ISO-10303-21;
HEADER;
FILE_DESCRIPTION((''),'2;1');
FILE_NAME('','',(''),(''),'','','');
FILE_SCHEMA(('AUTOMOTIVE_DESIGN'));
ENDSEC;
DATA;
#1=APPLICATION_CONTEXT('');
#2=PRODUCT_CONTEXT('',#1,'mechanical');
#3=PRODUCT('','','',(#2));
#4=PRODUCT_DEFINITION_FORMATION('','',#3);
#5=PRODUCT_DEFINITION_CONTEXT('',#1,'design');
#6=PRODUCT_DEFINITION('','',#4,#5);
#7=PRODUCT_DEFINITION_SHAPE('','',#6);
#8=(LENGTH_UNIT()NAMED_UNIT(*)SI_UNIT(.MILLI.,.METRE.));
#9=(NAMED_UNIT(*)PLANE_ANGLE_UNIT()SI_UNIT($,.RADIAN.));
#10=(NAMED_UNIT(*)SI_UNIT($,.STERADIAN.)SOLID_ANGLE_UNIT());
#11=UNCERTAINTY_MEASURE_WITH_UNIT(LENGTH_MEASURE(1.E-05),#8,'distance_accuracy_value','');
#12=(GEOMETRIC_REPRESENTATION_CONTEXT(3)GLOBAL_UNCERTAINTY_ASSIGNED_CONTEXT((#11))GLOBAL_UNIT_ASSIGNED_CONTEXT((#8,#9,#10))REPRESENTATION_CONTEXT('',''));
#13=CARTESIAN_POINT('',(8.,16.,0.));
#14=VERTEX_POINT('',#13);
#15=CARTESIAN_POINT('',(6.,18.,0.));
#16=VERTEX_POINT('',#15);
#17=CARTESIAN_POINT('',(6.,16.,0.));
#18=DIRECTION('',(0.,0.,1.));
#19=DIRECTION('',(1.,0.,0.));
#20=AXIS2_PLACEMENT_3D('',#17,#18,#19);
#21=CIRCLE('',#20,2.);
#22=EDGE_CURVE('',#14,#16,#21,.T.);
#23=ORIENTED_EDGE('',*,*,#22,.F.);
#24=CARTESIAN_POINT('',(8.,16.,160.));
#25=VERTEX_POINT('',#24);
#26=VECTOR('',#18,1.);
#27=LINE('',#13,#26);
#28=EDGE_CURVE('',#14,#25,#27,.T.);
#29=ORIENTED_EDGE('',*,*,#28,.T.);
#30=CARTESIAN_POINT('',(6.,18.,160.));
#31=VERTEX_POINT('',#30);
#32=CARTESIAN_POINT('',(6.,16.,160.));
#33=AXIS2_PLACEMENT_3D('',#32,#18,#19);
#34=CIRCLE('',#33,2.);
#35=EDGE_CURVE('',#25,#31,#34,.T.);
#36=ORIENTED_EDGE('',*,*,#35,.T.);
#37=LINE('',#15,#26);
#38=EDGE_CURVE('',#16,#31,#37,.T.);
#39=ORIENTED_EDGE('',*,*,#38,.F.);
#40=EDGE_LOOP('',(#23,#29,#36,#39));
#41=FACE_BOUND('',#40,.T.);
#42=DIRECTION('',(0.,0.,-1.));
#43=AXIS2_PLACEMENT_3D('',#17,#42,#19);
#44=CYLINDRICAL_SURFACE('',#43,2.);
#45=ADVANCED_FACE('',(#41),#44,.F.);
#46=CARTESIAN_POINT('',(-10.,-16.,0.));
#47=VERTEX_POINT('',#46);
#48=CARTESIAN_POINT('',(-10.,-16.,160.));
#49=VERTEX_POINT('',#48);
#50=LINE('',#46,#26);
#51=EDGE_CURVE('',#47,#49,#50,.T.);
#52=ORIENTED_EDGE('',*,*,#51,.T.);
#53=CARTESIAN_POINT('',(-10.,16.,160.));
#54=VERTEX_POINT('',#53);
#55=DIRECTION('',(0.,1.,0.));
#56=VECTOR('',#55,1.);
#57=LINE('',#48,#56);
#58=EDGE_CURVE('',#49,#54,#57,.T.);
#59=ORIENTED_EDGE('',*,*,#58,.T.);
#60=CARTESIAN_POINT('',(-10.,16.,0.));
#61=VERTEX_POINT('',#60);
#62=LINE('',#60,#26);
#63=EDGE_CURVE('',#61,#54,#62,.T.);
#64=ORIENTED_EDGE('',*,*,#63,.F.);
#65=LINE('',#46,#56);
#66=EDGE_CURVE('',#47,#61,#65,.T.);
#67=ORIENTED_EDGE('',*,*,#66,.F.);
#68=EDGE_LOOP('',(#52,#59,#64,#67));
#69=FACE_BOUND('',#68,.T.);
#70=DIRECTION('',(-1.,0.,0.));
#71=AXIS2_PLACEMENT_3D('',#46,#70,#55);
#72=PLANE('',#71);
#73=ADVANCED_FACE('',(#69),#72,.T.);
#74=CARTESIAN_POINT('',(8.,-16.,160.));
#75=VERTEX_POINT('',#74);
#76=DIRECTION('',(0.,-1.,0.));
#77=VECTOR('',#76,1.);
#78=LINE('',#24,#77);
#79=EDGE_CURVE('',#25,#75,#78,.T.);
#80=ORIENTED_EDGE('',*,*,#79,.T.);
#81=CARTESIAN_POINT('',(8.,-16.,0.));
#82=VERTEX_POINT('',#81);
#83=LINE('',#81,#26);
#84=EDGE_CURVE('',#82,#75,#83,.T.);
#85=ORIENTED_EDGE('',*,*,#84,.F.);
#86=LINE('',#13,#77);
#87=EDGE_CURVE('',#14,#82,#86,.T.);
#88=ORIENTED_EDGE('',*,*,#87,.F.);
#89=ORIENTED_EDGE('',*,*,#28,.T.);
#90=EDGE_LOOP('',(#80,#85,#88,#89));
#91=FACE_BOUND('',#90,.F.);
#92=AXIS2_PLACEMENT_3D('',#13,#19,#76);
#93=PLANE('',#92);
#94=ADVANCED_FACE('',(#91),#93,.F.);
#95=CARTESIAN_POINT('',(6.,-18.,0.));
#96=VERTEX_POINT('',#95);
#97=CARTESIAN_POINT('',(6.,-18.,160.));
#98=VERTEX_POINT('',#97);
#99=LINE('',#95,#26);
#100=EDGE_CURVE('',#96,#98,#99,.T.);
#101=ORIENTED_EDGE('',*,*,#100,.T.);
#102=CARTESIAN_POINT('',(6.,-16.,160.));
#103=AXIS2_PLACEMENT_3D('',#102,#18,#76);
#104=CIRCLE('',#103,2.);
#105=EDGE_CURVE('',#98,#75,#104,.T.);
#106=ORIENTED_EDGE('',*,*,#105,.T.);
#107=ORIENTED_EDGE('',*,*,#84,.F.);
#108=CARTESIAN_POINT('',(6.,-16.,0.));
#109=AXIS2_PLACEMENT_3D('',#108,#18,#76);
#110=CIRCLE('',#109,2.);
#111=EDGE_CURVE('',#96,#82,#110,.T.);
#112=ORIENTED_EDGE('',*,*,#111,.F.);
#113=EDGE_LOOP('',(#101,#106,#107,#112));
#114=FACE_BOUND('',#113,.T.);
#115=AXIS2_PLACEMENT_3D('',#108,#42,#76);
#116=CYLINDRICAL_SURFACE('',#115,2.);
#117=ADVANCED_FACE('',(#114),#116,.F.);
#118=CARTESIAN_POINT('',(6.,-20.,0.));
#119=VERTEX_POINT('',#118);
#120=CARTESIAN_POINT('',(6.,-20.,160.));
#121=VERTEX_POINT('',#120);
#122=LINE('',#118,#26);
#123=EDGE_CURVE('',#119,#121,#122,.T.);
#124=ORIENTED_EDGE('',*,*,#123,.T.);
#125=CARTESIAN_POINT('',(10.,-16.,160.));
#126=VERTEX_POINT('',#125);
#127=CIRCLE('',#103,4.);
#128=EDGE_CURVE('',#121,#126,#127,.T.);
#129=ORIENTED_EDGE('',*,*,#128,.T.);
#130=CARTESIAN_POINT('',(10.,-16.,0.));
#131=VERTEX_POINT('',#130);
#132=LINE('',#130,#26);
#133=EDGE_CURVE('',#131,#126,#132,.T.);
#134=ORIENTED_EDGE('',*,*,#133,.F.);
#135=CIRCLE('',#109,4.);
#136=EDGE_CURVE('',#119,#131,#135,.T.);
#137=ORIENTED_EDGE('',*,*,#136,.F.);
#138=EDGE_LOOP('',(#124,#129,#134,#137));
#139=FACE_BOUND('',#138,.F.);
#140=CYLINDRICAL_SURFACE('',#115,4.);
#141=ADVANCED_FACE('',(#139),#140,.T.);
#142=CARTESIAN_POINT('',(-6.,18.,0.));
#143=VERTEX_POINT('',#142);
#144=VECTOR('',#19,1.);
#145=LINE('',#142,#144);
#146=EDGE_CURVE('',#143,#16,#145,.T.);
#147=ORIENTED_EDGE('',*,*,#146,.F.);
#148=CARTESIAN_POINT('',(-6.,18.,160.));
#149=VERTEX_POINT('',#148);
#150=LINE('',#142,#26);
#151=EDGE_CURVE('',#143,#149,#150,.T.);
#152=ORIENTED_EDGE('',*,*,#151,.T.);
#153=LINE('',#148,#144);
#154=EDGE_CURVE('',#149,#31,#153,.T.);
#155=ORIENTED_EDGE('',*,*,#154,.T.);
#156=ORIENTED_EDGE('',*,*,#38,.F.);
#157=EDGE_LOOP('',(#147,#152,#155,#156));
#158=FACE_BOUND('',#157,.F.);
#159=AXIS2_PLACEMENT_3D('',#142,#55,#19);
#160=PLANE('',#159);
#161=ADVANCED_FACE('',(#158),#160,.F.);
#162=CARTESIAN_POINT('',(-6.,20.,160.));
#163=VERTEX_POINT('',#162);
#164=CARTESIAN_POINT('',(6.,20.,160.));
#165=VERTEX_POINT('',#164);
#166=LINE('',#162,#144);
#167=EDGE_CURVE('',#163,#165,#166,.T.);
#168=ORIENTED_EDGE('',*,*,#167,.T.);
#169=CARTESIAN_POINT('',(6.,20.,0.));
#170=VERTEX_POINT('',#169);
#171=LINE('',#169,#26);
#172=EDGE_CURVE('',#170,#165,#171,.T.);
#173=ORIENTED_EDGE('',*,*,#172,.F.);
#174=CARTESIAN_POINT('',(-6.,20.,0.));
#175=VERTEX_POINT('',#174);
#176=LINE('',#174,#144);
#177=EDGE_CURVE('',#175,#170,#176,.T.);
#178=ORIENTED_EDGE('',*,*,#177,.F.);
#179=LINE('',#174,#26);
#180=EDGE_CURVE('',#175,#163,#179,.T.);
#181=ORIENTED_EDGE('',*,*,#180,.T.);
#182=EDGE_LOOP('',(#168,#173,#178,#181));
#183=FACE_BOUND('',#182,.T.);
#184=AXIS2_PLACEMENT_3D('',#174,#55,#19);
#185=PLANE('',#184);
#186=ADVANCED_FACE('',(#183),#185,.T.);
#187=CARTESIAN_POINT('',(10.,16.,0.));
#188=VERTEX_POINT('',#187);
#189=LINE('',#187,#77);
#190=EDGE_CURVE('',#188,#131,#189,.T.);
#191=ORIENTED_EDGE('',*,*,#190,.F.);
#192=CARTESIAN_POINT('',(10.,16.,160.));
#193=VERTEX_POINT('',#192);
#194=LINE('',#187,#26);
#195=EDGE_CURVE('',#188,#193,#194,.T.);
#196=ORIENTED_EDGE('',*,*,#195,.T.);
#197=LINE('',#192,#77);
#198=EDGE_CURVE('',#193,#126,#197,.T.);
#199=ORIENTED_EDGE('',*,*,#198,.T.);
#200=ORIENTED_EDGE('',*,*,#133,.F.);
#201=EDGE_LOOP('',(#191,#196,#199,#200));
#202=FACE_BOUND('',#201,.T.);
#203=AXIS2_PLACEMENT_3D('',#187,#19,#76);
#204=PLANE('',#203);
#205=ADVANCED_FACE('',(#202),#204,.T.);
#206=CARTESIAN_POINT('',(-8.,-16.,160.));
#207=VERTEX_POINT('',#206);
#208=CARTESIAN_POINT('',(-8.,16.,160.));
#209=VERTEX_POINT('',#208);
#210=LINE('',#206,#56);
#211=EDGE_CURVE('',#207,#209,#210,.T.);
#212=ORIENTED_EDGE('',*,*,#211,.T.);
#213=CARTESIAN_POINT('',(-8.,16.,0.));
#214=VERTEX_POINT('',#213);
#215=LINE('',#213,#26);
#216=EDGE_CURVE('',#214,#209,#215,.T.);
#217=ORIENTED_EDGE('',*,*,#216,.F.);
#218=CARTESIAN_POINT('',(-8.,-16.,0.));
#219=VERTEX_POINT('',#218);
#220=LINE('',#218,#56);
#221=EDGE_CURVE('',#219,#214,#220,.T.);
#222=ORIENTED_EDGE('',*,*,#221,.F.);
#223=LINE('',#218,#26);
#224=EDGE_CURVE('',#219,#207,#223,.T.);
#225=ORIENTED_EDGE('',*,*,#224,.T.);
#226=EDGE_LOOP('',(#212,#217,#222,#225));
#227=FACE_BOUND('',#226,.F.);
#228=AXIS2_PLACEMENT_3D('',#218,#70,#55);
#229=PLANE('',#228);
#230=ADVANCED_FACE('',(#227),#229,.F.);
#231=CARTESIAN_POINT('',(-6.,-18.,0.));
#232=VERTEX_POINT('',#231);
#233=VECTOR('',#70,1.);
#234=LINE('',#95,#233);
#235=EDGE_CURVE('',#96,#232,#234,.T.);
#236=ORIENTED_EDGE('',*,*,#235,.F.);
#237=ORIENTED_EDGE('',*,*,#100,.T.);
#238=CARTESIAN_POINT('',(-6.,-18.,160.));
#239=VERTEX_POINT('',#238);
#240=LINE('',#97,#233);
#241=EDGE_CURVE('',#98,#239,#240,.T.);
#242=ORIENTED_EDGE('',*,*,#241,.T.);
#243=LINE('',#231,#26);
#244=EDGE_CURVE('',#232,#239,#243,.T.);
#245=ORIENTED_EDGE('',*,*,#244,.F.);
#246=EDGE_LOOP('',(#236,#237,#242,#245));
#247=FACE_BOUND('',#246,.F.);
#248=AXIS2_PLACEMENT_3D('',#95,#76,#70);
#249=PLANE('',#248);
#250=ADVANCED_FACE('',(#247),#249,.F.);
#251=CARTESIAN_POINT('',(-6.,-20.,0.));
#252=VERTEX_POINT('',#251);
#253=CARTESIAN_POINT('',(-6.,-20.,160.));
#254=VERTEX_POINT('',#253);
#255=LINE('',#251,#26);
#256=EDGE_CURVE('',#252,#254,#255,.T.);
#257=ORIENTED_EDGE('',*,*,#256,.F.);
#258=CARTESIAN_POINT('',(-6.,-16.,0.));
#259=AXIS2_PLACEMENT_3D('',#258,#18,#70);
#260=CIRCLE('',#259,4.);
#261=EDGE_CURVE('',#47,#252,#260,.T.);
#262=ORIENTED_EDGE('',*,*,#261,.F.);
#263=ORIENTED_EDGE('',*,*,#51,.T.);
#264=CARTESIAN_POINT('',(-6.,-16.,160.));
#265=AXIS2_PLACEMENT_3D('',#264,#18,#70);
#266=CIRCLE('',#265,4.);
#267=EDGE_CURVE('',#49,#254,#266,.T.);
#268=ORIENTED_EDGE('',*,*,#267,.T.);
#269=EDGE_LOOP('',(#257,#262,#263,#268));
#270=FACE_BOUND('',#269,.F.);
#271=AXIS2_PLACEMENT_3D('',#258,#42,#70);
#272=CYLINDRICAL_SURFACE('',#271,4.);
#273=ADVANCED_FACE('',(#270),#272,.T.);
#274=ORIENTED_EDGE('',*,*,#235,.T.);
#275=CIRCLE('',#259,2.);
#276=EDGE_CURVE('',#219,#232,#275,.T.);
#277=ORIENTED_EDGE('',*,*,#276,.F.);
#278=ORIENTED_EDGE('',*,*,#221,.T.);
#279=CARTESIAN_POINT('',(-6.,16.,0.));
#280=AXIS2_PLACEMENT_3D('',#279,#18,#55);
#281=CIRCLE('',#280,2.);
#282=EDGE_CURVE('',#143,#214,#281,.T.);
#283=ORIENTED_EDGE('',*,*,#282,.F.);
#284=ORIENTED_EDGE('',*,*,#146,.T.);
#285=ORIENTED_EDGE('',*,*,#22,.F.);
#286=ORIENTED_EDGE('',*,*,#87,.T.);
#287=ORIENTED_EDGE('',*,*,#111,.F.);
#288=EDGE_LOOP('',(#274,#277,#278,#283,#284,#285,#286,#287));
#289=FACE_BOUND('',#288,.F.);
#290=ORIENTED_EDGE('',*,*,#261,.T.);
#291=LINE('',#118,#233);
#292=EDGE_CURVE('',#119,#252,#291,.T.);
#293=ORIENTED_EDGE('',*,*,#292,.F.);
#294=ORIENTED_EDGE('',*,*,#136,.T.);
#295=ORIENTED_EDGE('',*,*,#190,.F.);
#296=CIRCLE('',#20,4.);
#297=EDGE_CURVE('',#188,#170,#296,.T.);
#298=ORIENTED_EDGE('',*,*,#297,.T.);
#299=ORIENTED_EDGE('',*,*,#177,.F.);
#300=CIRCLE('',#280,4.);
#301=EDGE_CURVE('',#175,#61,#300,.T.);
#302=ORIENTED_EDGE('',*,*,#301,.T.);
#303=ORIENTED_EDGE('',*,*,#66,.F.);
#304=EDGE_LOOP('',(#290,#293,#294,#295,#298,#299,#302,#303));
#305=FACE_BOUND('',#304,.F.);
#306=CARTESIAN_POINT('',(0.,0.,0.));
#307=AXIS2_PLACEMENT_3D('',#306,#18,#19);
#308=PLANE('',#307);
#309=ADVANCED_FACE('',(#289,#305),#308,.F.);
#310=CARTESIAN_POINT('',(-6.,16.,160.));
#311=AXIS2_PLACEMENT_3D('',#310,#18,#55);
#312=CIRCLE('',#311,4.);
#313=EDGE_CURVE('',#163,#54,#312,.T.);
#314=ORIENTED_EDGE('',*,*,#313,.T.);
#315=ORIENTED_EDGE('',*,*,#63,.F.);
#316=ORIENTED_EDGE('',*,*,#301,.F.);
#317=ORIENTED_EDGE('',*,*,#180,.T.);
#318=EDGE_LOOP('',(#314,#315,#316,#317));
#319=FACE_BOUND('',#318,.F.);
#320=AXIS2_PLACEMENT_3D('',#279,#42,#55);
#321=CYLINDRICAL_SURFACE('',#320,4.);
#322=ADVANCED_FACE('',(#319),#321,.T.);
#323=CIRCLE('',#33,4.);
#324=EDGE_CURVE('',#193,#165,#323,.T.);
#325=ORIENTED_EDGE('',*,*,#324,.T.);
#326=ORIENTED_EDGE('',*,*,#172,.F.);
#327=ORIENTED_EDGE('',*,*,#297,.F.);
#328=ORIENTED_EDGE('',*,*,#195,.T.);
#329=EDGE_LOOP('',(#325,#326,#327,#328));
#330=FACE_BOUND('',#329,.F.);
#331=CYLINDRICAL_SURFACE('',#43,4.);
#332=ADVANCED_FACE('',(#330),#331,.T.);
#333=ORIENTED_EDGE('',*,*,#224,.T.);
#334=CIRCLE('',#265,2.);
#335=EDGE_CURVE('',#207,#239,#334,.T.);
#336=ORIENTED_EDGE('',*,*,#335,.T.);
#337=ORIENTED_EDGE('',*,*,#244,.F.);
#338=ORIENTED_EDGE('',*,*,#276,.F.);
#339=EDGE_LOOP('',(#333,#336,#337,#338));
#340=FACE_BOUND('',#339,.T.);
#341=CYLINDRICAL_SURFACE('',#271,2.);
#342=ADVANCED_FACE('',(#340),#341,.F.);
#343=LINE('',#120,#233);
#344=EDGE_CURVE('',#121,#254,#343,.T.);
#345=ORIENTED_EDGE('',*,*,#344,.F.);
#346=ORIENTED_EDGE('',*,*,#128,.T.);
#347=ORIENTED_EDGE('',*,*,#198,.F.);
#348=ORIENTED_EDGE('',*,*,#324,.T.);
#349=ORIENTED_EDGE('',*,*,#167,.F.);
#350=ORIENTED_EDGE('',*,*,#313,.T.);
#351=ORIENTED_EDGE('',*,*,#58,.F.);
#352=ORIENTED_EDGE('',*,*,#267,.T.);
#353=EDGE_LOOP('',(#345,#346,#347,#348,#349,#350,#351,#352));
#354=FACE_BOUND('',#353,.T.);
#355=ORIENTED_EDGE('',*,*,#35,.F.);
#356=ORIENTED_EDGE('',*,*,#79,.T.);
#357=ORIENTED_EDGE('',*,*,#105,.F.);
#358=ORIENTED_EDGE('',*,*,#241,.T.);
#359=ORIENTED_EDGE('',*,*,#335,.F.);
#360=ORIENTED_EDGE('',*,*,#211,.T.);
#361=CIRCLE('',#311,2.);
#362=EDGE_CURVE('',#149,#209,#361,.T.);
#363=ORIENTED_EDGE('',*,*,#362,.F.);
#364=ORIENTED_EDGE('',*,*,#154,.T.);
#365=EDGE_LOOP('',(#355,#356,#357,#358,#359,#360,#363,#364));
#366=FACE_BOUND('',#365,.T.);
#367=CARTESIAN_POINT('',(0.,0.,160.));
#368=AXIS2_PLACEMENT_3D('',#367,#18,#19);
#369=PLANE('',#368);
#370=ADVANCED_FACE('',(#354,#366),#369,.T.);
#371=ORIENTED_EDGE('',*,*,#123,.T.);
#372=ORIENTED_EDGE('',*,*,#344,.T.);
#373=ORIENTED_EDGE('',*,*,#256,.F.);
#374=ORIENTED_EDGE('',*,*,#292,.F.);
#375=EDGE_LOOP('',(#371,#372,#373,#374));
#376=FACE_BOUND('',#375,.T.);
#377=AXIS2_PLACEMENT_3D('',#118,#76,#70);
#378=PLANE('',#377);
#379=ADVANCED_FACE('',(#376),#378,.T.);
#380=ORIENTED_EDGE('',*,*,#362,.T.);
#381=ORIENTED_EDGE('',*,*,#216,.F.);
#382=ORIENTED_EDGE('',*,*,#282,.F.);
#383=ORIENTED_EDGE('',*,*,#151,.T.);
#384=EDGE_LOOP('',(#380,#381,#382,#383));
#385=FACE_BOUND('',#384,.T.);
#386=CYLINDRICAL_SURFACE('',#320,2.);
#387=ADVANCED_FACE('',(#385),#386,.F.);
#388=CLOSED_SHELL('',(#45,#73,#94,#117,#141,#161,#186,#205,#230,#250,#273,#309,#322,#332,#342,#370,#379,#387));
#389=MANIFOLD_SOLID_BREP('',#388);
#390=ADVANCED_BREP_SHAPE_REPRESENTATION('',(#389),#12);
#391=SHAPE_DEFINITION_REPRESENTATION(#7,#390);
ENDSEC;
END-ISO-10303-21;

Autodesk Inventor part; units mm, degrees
ref_plane "YZ Plane" through (0, 0, 0) normal (1, 0, 0) x (0, 1, 0)
ref_plane "Start plane" through (0, 0, 0) normal (0, 0, 1) x (1, 0, 0)
ref_plane "End plane" through (0, 0, 160) normal (0, 0, 1) x (1, 0, 0)
sketch "Sketch" plane through (0, 0, 0) normal (0, 0, 1) x (1, 0, 0)
  line L0 (-10, -16) -> (-10, 16)
  line L1 (-6, 20) -> (6, 20)
  line L2 (10, 16) -> (10, -16)
  line L3 (6, -20) -> (-6, -20)
  arc A0 (-10, -16) -> (-6, -20) centre (-6, -16) ccw
  arc A1 (10, 16) -> (6, 20) centre (6, 16) ccw
  arc A2 (-6, 20) -> (-10, 16) centre (-6, 16) ccw
  arc A3 (6, -20) -> (10, -16) centre (6, -16) ccw
  arc A4 (-6, 18) -> (-8, 16) centre (-6, 16) ccw
  line L4 (-6, 18) -> (6, 18)
  arc A5 (8, 16) -> (6, 18) centre (6, 16) ccw
  line L5 (8, 16) -> (8, -16)
  arc A6 (6, -18) -> (8, -16) centre (6, -16) ccw
  line L6 (6, -18) -> (-6, -18)
  arc A7 (-8, -16) -> (-6, -18) centre (-6, -16) ccw
  line L7 (-8, -16) -> (-8, 16)
  line L8 (0, 37.1021) -> (0, -37.1021) construction
  line L9 (-23.1021, 0) -> (23.1021, 0) construction
  dimension "d7" = 4
  dimension "d9" = 20
  dimension "d11" = 40
  dimension "d12" = 2
  dimension "d15" = 10
  dimension "d16" = 20
extrude "Body" add sketch "Sketch" along normal up to surface (160 mm away) from surface at 0
sketch "Sketch3" plane through (0, 0, 0) normal (0, 0, 1) x (1, 0, 0)
  line L0 (0, 0) -> (10, 0)
ref_plane "Work Plane3" through (0, 0, 0) normal (0, -1, 0) x (1, 0, 0)
sketch "Sketch4" plane through (0, 0, 0) normal (0, -1, 0) x (1, 0, 0)
  line L0 (-2, 0) -> (12, 0) projected
  line L1 (-2, 160) -> (12, 160) projected
  dimension "d18" = 160
equation "\"d7\" = G_IR"
equation "\"d9\" = G_W"
equation "\"d11\" = G_H"
equation "\"d12\" = G_T"
equation "\"d15\" = 0.5 * d9"
equation "\"d16\" = 0.5 * d11"
equation "\"d3\" = G_L"
equation "\"G_W\" = 20"
equation "\"G_H\" = 40"
equation "\"G_T\" = 2"
equation "\"G_IR\" = 4"
equation "\"G_L\" = d18"
equation "\"G_OFFSET_START\" = 0"
equation "\"G_OFFSET_END\" = 0"
properties part number "ISO 4019 - 40x20x2 - 160" material "Steel, Mild"
